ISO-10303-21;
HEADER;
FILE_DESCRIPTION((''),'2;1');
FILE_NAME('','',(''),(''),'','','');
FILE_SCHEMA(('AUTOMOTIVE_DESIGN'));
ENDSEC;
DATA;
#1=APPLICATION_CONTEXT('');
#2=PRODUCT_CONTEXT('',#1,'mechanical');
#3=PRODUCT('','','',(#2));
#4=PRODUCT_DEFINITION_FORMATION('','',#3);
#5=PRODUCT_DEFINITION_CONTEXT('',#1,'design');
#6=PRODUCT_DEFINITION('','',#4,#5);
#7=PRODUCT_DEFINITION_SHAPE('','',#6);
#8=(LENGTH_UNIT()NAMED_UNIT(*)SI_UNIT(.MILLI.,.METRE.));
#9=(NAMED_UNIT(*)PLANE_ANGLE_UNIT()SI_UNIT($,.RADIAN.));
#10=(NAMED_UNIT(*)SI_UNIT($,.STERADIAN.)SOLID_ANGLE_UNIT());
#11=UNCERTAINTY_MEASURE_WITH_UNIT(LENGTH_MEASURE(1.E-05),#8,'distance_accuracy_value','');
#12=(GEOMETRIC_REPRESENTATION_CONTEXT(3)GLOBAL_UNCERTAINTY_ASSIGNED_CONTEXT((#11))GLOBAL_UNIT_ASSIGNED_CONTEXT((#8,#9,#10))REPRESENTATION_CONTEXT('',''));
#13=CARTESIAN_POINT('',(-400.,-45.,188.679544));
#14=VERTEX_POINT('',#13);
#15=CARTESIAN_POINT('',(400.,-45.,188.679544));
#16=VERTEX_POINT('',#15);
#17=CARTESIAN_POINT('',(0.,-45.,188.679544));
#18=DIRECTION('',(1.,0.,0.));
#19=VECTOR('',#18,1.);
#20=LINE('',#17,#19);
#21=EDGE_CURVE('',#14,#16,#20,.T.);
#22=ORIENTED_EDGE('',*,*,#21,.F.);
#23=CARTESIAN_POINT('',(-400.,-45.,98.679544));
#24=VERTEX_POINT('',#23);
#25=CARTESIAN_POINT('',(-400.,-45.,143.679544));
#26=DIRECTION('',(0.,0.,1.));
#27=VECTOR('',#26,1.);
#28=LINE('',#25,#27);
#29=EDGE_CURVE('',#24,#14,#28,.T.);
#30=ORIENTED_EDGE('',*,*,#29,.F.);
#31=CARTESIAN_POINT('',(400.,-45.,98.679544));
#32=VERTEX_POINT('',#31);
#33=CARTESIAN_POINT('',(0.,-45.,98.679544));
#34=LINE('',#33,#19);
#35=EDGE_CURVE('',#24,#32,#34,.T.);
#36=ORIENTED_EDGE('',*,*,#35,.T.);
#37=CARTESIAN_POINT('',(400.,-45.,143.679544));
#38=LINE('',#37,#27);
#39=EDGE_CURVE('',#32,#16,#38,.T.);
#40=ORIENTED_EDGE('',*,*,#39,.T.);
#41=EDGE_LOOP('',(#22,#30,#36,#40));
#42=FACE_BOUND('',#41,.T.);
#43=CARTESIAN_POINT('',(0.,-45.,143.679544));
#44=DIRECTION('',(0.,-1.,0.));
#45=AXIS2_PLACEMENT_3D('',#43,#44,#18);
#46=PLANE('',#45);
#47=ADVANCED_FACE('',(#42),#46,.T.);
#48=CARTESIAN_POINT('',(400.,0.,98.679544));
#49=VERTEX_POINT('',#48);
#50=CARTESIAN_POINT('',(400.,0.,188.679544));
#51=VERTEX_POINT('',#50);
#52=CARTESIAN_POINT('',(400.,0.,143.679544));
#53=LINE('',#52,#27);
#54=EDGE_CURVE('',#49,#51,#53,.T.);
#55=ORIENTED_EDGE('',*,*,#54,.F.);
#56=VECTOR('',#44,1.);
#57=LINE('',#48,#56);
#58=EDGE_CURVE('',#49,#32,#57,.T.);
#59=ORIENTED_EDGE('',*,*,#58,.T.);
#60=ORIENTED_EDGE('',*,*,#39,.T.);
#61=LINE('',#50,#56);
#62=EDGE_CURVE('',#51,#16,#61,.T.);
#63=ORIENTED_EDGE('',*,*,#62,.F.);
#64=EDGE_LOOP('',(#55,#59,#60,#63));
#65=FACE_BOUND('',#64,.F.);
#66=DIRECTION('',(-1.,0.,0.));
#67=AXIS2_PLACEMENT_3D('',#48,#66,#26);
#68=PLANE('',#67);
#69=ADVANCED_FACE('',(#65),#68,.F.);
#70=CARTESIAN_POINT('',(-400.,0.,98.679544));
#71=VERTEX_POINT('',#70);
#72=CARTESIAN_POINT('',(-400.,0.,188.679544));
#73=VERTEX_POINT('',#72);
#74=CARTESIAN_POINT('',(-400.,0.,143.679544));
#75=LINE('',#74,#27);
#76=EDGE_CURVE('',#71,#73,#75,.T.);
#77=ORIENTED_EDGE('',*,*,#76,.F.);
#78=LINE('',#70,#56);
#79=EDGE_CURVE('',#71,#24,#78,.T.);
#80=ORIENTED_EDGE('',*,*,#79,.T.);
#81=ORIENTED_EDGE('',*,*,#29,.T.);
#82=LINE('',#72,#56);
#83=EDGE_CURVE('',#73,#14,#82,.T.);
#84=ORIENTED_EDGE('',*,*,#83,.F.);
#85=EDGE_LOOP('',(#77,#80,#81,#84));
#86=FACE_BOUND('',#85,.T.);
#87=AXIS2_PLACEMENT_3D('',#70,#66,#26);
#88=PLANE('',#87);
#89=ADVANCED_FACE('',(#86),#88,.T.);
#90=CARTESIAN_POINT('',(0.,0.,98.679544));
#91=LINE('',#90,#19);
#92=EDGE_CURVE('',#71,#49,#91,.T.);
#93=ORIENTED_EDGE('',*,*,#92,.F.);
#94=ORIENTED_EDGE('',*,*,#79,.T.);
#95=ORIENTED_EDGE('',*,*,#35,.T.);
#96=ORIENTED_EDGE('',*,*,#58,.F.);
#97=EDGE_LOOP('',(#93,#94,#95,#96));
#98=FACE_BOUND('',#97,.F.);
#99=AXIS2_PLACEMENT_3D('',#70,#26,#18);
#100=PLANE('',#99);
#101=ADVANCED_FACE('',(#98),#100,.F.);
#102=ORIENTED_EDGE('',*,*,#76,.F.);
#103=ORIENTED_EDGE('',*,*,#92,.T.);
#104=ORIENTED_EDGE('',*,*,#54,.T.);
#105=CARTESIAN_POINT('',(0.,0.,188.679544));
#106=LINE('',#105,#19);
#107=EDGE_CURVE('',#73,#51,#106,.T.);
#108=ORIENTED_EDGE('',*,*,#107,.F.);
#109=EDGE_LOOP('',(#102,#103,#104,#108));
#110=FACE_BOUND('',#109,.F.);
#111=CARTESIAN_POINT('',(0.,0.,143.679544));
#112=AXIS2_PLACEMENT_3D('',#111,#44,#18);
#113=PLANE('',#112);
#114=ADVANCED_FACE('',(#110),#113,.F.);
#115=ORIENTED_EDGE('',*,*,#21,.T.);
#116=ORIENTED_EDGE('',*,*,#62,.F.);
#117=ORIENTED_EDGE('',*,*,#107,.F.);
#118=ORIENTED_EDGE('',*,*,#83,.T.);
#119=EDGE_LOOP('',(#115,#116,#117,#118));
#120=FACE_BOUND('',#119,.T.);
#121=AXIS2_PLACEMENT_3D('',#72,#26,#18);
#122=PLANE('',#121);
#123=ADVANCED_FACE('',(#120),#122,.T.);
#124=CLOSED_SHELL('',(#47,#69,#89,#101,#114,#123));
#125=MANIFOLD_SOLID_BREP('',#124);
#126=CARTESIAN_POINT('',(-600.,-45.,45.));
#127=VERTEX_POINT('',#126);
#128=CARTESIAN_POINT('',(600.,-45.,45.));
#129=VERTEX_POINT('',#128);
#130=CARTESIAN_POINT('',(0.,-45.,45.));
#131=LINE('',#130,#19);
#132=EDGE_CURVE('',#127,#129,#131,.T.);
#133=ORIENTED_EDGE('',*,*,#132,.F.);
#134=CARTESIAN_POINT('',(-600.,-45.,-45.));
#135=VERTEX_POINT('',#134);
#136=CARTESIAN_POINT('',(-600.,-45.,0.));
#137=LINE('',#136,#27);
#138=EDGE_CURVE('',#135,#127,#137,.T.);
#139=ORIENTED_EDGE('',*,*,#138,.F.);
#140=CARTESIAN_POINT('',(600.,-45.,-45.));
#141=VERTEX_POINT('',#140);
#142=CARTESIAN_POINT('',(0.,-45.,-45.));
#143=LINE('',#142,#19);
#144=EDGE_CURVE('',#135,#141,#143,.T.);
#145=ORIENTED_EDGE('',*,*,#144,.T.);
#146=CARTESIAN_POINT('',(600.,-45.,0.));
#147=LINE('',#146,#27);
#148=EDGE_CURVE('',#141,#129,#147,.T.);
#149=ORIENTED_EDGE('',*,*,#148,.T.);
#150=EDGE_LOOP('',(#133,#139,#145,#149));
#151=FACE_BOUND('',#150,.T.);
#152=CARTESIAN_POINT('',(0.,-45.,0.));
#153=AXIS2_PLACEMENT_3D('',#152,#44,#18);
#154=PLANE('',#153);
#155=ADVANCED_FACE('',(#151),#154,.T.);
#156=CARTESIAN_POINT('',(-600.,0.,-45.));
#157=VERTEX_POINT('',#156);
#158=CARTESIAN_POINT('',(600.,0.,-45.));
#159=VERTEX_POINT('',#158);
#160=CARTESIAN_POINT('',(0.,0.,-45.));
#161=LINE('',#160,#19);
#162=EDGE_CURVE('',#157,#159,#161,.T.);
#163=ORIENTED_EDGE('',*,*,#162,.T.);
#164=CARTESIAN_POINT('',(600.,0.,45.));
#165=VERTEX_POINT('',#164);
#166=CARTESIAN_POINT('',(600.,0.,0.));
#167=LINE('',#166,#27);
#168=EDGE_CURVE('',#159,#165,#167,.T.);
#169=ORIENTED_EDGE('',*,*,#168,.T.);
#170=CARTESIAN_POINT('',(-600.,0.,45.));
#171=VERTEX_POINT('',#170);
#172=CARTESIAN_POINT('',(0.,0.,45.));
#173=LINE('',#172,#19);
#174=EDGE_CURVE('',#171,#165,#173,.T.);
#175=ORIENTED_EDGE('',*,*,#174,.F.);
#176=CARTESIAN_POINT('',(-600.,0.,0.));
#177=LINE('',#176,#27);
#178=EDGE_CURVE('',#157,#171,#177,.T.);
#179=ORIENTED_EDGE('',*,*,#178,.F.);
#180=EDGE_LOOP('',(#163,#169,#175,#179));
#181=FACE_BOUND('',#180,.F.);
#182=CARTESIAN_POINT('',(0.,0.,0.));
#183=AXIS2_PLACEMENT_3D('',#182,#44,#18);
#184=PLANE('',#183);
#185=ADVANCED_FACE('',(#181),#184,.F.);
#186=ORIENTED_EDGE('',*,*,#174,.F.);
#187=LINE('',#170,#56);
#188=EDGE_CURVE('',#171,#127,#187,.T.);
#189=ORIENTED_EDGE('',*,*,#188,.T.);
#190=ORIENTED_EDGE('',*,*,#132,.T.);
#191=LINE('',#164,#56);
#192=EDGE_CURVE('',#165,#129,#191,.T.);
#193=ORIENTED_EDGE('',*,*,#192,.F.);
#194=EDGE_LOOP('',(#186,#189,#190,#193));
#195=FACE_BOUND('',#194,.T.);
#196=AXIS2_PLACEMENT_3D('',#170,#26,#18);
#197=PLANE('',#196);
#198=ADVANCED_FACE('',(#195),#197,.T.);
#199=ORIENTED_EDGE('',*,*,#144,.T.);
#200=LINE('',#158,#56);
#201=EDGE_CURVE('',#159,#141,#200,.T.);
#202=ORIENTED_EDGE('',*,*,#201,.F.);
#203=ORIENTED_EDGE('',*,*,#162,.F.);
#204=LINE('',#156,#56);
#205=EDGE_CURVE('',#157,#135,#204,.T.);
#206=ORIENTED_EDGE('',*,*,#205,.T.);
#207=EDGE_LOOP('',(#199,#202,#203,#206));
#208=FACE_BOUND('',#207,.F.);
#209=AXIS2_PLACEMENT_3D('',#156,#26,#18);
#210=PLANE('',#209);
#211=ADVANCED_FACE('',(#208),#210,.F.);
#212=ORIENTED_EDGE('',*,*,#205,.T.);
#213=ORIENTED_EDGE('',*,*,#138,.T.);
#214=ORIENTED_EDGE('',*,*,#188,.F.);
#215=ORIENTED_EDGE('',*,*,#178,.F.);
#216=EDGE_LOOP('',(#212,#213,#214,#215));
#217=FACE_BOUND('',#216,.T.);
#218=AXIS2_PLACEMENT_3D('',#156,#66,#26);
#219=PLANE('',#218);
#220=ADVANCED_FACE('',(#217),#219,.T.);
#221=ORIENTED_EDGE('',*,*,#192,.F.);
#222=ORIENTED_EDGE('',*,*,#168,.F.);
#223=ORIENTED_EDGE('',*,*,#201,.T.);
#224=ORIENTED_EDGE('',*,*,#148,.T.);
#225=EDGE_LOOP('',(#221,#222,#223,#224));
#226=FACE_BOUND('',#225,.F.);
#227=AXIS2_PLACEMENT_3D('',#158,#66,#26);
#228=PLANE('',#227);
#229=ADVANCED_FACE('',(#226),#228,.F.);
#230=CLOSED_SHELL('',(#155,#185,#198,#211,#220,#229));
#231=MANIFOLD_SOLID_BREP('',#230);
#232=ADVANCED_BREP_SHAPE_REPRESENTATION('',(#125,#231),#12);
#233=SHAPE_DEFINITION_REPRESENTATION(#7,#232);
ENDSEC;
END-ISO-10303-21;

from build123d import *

# Parameters (mm, degrees)
F0_W     = 1200
F0_H     = 90
F1_DEPTH = 45
F2_W     = 800
F2_H     = 90
F3_DEPTH = 45


with BuildPart() as f1:
    # F0 (on Front) → F1 (new body)
    with BuildSketch(Plane.XZ):
        Rectangle(F0_W, F0_H)
    extrude(amount=F1_DEPTH)


with BuildPart() as f3:
    # F2 (on Front) → F3 (new body)
    with BuildSketch(Plane.XZ):
        with Locations((0, 143.679544)):
            Rectangle(F2_W, F2_H)
    extrude(amount=F3_DEPTH)


solid = Compound([f1.part, f3.part])
